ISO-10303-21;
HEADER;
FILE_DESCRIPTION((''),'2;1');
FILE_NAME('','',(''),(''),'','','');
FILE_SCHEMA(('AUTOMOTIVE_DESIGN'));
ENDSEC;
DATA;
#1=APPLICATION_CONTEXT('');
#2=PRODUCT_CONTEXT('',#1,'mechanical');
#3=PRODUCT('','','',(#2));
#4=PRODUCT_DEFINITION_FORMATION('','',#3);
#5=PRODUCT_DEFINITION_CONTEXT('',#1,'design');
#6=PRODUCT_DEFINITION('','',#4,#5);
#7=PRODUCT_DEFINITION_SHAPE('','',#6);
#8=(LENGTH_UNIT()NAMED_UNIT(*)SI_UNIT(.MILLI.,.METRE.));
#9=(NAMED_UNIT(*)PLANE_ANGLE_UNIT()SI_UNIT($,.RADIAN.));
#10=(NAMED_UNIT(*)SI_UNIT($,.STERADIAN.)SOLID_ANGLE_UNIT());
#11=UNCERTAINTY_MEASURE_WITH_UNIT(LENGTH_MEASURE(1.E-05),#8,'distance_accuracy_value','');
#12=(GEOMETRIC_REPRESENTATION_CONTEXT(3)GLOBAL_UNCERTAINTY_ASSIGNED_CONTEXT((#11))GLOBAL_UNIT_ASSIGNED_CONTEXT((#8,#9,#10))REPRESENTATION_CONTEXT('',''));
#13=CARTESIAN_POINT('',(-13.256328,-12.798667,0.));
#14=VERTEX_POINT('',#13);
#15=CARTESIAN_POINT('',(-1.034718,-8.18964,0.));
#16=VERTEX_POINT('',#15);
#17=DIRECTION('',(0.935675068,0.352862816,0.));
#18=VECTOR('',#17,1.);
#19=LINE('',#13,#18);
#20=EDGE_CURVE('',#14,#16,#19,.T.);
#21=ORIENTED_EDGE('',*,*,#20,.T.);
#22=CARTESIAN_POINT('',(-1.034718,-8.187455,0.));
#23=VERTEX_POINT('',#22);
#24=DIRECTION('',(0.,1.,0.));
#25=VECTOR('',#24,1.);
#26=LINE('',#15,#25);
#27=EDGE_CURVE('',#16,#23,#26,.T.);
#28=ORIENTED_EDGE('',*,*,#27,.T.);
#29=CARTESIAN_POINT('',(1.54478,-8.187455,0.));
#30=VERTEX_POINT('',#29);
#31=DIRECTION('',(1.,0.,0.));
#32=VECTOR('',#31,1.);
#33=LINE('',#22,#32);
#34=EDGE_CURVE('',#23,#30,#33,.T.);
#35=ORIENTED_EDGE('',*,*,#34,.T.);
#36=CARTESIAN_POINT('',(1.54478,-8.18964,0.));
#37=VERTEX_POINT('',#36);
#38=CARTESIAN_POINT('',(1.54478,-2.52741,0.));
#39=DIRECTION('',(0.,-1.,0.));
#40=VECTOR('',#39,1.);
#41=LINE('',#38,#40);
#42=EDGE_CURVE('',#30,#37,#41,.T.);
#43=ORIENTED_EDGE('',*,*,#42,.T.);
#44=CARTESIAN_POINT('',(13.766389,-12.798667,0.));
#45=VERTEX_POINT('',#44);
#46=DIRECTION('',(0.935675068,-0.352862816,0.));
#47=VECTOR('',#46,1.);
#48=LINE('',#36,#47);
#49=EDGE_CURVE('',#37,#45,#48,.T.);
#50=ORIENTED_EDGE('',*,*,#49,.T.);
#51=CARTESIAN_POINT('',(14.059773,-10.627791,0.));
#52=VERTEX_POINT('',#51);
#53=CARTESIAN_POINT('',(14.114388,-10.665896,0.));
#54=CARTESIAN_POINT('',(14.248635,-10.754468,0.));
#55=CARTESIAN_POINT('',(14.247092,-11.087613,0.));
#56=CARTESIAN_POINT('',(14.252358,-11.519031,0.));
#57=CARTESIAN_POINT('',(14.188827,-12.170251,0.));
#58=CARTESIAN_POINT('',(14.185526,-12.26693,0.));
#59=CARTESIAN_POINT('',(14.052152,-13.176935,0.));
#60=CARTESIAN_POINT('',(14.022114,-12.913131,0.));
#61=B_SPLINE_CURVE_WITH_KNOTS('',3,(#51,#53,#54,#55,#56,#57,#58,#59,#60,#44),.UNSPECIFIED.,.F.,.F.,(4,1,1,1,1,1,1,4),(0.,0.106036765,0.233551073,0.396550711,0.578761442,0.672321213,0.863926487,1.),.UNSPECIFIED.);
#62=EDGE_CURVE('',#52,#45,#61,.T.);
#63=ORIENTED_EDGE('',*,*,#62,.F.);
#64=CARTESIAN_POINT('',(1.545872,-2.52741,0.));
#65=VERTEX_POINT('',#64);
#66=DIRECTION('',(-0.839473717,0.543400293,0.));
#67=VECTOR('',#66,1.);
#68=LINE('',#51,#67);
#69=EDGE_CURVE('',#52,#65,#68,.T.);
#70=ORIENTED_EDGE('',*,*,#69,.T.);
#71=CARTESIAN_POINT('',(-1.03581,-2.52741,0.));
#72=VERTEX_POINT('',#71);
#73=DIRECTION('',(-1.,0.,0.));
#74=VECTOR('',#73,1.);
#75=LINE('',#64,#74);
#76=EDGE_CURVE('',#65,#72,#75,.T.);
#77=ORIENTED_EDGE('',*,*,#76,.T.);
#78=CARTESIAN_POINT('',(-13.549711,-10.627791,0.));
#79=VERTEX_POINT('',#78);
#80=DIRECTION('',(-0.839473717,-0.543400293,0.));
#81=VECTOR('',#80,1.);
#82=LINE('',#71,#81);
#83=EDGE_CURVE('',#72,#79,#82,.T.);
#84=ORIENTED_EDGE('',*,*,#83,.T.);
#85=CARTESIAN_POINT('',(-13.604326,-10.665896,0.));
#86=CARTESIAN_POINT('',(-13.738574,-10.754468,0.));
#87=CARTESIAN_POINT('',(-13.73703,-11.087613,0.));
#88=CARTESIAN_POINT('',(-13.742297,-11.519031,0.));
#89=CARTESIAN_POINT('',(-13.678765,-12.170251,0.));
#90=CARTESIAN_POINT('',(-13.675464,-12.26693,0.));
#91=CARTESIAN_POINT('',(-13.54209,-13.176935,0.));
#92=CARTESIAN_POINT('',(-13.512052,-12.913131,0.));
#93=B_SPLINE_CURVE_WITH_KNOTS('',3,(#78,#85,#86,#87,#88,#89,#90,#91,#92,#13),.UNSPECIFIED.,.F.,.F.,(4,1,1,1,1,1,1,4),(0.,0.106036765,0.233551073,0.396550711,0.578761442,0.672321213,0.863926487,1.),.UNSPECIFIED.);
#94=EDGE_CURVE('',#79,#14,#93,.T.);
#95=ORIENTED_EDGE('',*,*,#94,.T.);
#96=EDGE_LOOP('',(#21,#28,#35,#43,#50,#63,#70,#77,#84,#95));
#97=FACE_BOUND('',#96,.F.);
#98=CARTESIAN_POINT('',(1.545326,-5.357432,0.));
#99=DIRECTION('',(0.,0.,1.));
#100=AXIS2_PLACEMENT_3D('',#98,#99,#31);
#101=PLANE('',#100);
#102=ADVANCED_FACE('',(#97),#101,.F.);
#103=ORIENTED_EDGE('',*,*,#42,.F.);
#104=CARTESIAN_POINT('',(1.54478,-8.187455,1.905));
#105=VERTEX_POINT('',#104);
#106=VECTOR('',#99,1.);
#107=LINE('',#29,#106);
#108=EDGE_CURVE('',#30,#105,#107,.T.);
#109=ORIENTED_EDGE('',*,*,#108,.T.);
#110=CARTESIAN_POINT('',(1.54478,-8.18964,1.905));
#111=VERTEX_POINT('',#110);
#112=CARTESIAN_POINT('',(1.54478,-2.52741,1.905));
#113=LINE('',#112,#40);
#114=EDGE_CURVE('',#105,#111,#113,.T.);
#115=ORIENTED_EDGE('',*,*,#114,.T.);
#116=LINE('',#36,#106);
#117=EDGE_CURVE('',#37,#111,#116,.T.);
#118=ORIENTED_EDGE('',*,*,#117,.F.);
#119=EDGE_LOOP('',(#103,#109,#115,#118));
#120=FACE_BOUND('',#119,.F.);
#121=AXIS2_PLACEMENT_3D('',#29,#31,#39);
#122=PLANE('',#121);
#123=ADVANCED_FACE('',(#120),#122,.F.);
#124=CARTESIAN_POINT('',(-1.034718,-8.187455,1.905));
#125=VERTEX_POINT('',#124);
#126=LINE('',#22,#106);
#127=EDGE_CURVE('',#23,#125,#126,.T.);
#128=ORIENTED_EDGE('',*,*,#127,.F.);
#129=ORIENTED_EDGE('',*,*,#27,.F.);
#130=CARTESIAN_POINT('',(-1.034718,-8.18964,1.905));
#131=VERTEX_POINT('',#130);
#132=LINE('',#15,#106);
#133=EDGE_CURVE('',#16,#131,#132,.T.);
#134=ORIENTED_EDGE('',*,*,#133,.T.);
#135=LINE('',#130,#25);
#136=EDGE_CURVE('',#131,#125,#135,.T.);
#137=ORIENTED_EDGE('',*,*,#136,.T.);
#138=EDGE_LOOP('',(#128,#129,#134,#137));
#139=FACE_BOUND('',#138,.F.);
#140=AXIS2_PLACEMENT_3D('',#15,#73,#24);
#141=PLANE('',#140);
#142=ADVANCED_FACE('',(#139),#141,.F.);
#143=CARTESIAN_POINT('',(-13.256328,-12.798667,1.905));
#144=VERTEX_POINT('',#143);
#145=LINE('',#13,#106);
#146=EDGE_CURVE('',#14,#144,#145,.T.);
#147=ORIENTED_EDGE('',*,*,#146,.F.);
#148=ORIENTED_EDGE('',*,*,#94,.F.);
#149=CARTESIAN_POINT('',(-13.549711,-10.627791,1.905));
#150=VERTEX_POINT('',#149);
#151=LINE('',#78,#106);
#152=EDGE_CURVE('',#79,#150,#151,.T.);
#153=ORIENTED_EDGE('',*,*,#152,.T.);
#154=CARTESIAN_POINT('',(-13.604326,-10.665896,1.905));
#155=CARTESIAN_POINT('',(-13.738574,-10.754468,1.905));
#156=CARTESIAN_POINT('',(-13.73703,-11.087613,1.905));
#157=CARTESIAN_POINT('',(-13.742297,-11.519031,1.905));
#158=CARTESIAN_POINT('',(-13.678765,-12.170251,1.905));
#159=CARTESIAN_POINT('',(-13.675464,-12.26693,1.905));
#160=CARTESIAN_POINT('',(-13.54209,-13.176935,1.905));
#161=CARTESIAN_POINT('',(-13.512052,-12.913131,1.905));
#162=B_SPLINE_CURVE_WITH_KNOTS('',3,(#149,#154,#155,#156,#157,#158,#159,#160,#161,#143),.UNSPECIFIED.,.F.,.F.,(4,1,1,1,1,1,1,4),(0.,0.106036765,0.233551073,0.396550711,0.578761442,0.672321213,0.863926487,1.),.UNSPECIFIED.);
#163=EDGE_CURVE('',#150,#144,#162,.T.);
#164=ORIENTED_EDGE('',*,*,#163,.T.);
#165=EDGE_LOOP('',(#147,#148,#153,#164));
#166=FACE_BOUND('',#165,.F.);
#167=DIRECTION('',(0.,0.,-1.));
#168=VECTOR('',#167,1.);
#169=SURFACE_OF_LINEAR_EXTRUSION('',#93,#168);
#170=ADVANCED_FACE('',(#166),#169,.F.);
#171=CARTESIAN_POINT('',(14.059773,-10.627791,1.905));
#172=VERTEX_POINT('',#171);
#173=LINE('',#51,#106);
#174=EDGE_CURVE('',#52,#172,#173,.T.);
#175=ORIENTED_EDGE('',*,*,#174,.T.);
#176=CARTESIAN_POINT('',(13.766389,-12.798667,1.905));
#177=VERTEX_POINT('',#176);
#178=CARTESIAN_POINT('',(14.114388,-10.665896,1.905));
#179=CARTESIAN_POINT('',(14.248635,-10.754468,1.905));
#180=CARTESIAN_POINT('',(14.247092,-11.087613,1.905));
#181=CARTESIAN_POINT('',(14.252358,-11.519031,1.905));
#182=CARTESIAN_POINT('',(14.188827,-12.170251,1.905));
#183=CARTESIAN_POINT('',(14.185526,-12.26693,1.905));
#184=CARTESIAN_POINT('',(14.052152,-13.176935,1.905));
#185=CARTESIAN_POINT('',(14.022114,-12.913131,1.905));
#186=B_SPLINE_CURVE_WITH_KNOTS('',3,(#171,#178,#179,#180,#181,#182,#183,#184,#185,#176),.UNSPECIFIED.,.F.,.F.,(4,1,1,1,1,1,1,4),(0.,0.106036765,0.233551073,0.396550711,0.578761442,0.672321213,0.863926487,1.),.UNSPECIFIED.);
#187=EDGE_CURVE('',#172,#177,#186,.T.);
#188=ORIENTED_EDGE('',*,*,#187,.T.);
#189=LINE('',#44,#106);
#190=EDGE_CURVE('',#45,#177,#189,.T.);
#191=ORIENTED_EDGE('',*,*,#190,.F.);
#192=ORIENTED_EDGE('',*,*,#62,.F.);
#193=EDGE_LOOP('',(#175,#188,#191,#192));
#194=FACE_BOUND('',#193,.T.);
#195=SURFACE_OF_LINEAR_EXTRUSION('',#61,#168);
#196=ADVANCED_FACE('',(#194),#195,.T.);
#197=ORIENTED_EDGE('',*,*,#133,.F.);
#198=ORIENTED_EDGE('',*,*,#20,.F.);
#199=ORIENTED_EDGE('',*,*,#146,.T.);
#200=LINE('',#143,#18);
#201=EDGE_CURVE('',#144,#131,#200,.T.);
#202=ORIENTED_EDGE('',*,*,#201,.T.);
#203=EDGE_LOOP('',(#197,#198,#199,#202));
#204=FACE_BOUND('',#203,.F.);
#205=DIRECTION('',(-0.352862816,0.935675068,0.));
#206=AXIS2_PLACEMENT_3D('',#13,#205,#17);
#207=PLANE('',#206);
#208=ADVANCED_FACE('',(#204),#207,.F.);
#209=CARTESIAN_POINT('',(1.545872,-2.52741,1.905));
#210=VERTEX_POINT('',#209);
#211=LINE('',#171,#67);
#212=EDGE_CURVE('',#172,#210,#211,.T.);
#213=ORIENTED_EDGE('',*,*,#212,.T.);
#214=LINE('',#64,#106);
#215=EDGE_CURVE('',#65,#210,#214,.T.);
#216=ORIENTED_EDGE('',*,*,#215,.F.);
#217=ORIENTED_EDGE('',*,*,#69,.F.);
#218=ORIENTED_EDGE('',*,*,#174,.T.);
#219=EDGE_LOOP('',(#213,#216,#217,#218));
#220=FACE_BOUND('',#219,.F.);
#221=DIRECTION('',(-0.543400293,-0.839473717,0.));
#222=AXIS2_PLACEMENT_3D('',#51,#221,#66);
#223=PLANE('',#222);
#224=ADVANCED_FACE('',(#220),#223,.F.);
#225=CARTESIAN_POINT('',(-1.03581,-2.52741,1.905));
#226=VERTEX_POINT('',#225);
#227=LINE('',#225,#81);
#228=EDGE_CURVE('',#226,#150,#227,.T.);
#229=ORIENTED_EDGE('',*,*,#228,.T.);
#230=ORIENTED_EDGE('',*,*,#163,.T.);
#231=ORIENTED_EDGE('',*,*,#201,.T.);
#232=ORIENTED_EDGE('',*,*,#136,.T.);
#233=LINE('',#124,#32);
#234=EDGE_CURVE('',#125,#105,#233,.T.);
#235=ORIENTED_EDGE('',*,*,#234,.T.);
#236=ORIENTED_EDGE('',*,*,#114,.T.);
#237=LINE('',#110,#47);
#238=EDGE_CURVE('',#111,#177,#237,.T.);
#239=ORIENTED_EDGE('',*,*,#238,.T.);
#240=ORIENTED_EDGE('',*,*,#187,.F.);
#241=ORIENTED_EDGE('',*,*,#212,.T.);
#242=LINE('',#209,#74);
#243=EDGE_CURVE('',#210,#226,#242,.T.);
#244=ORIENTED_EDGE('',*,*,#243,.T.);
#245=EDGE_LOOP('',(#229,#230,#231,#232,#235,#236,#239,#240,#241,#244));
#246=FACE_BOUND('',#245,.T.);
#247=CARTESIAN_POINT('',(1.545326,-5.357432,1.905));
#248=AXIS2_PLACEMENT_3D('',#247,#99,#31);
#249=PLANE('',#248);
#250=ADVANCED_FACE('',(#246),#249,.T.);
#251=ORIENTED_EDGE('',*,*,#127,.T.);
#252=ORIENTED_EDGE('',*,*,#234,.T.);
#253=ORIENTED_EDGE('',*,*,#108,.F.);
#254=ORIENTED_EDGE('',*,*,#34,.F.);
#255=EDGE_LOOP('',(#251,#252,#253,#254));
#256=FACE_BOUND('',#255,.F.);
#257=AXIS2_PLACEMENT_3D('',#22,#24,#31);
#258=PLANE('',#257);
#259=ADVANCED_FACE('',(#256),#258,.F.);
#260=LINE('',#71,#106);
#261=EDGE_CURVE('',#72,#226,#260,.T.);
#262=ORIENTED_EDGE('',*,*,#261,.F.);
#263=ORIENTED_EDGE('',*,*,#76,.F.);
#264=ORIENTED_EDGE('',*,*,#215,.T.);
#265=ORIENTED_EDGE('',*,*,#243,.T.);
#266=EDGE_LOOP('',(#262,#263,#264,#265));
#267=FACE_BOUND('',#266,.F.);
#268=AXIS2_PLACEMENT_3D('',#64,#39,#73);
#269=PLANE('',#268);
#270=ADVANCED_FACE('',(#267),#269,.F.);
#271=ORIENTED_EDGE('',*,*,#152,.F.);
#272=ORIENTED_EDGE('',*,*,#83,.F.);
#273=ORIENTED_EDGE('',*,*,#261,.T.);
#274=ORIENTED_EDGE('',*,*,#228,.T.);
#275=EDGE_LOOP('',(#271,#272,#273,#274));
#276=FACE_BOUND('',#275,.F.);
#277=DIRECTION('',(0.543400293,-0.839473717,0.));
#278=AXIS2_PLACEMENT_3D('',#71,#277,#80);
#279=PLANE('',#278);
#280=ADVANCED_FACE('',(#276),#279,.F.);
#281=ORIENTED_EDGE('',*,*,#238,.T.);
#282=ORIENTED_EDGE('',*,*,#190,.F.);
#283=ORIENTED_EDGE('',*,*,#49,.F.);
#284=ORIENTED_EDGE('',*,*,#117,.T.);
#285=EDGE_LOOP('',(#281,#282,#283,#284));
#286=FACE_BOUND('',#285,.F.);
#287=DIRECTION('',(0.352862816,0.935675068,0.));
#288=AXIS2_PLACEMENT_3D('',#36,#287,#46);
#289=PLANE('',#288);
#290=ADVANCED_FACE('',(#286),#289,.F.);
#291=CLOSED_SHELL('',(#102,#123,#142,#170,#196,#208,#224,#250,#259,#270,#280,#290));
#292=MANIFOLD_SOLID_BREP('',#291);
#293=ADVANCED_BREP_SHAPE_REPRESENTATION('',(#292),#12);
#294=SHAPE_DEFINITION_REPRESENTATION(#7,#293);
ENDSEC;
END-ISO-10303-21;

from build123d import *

# Parameters (mm, degrees)
F0_W     = 0.0010915717
F0_H     = 5.660045338
F0_W_2   = 1.2897493593
F1_DEPTH = 1.905


with BuildPart() as f1:
    # F0 (on Top) → F1 (new body)
    with BuildSketch(Plane.XY):
        with Locations((1.5453260451, -5.3574324561)):
            Rectangle(F0_W, F0_H)
        with BuildLine():
            Line((14.059772715, -10.627791335), (1.545871831, -2.5274097871))
            Line((1.545871831, -2.5274097871), (1.545871831, -8.1874551252))
            Line((1.545871831, -8.1874551252), (1.5447802593, -8.1874551252))
            Line((1.5447802593, -8.1874551252), (1.5447802593, -8.189640226))
            Line((1.5447802593, -8.189640226), (13.7663893402, -12.798666954))
            add(Edge.make_bspline(
                [(14.059772715, -10.627791335), (14.1143877666, -10.6658963869), (14.2486354086, -10.7544680195), (14.2470916444, -11.0876132879), (14.2523583296, -11.5190311068), (14.188827241, -12.1702512382), (14.1855257406, -12.2669298232), (14.0521519569, -13.1769351266), (14.0221137553, -12.9131311551), (13.7663893402, -12.798666954)],
                knots=[0, 0, 0, 0, 0.1060367648, 0.233551073, 0.3965507113, 0.578761442, 0.6723212135, 0.8639264865, 1, 1, 1, 1], degree=3))
        make_face()
        with Locations((0.8999055797, -5.3574324561)):
            Rectangle(F0_W_2, F0_H)
        with Locations((-0.3898437796, -5.3574324561)):
            Rectangle(F0_W_2, F0_H)
        with BuildLine():
            Line((-1.0347184593, -8.1874551252), (-1.0347184593, -2.5274097871))
            Line((-1.0347184593, -2.5274097871), (-1.035810031, -2.5274097871))
            Line((-1.035810031, -2.5274097871), (-13.549710915, -10.627791335))
            add(Edge.make_bspline(
                [(-13.549710915, -10.627791335), (-13.6043259666, -10.6658963869), (-13.7385736086, -10.7544680195), (-13.7370298444, -11.0876132879), (-13.7422965295, -11.5190311068), (-13.678765441, -12.1702512382), (-13.6754639406, -12.2669298232), (-13.5420901569, -13.1769351266), (-13.5120519553, -12.9131311551), (-13.2563275401, -12.798666954)],
                knots=[0, 0, 0, 0, 0.1060367648, 0.233551073, 0.3965507113, 0.578761442, 0.6723212135, 0.8639264865, 1, 1, 1, 1], degree=3))
            Line((-13.2563275401, -12.798666954), (-1.0347184593, -8.189640226))
            Line((-1.0347184593, -8.189640226), (-1.0347184593, -8.1874551252))
        make_face()
    extrude(amount=F1_DEPTH)


solid = f1.part
